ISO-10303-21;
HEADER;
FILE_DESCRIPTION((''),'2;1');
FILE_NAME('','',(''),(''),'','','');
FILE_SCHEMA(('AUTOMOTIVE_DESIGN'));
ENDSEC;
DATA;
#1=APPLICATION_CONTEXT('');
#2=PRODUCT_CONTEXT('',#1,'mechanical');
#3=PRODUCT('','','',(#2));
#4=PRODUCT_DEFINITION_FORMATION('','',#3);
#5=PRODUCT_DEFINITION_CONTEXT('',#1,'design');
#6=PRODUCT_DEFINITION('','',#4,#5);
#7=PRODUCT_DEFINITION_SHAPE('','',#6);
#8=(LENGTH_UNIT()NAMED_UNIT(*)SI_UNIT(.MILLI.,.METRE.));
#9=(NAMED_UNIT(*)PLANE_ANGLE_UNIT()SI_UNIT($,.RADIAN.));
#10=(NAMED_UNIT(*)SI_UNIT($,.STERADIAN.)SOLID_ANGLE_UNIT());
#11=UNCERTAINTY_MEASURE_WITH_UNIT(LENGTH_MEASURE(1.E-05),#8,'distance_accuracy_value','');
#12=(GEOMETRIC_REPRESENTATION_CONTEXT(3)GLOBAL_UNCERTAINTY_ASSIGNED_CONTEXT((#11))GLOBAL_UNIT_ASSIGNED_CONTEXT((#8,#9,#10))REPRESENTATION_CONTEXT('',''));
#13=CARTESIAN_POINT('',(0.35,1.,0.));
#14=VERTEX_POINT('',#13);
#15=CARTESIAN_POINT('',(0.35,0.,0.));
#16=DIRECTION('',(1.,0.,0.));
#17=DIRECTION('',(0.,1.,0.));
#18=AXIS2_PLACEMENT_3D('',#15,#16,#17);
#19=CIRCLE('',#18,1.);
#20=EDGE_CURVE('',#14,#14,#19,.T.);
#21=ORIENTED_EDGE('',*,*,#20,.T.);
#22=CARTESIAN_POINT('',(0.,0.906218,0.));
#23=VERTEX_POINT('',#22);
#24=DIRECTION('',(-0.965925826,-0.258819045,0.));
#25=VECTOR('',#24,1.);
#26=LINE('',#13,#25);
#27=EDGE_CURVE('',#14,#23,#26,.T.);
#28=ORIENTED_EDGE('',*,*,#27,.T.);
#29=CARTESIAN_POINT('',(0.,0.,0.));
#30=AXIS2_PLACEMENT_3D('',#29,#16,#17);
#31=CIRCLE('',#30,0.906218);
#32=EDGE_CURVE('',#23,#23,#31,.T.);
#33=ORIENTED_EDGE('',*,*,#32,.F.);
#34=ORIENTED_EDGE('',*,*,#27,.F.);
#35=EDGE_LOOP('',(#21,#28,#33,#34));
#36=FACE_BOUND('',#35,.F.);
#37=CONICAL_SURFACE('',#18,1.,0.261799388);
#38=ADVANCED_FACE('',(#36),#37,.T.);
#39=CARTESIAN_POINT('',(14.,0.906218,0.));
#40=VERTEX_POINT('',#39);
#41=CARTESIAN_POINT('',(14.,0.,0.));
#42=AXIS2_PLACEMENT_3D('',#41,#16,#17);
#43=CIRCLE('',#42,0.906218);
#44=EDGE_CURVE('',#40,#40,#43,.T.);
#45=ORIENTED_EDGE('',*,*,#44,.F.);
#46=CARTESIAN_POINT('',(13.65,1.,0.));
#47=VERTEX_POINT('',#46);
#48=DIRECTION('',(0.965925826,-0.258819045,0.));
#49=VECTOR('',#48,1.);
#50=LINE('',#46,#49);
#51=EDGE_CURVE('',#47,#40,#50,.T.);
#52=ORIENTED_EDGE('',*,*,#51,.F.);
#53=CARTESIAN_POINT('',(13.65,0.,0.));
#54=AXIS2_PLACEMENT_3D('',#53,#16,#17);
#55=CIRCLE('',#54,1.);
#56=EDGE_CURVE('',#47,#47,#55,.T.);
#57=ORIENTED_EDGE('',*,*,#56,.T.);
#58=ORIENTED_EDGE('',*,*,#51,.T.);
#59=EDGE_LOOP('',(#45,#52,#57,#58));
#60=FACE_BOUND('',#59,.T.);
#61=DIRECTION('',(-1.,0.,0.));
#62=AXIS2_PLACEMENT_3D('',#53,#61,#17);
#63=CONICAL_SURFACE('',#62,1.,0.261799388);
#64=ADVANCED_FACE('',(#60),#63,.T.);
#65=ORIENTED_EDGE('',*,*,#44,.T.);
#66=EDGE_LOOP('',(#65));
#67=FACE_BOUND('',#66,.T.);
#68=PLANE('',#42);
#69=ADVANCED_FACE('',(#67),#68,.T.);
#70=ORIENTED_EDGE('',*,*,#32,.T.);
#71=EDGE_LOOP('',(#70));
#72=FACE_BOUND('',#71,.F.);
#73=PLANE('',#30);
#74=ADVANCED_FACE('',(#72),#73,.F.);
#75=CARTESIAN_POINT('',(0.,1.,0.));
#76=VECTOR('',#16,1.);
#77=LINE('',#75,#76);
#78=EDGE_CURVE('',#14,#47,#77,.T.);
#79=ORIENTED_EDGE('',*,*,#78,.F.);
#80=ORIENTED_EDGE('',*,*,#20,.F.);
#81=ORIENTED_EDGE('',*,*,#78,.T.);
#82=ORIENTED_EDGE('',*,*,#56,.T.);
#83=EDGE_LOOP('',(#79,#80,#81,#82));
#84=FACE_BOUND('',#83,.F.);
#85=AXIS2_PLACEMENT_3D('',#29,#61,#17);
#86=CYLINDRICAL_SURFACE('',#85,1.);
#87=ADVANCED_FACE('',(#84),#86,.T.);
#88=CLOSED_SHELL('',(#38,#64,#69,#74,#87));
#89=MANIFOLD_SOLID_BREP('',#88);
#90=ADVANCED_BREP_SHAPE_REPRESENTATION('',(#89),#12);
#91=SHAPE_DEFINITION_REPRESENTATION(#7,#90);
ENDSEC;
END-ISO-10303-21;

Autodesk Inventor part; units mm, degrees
ref_plane "YZ Plane" through (0, 0, 0) normal (1, 0, 0) x (0, 1, 0)
ref_plane "XZ Plane" through (0, 0, 0) normal (0, 1, 0) x (-1, 0, 0)
ref_plane "XY Plane" through (0, 0, 0) normal (0, 0, 1) x (1, 0, 0)
sketch "Skizze" plane through (0, 0, 0) normal (1, 0, 0) x (0, 1, 0)
  circle A0 centre (0, 0) radius 1
  dimension "d1" = 2
extrude "Körper" add sketch "Skizze" along normal blind 14
chamfer "Fase1" distance 0.35 angle 15 1 edges at (0, -1, 0) measured on face at (9.3333, 0.9871, -0.1604)
chamfer "Skizze2" distance 0.35 angle 15 1 edges at (14, -1, 0) measured on face at (9.45, 0.9871, -0.1604)
equation "\"d1\" = NND"
equation "\"d2\" = NLG"
equation "\"d8\" = PHH"
equation "\"d9\" = FAWI"
equation "\"d12\" = PHH"
equation "\"d4\" = PHH"
equation "\"d5\" = FAWI"
equation "\"d11\" = PHH"
equation "\"NND\" = 2"
equation "\"NLG\" = 14"
equation "\"PHH\" = 0.35"
equation "\"FAWI\" = 15deg"
equation "\"KAH\" = 0"
properties part number "ISO 2338 - 2 h8 x 14" material "Edelstahl, austenitisch"
